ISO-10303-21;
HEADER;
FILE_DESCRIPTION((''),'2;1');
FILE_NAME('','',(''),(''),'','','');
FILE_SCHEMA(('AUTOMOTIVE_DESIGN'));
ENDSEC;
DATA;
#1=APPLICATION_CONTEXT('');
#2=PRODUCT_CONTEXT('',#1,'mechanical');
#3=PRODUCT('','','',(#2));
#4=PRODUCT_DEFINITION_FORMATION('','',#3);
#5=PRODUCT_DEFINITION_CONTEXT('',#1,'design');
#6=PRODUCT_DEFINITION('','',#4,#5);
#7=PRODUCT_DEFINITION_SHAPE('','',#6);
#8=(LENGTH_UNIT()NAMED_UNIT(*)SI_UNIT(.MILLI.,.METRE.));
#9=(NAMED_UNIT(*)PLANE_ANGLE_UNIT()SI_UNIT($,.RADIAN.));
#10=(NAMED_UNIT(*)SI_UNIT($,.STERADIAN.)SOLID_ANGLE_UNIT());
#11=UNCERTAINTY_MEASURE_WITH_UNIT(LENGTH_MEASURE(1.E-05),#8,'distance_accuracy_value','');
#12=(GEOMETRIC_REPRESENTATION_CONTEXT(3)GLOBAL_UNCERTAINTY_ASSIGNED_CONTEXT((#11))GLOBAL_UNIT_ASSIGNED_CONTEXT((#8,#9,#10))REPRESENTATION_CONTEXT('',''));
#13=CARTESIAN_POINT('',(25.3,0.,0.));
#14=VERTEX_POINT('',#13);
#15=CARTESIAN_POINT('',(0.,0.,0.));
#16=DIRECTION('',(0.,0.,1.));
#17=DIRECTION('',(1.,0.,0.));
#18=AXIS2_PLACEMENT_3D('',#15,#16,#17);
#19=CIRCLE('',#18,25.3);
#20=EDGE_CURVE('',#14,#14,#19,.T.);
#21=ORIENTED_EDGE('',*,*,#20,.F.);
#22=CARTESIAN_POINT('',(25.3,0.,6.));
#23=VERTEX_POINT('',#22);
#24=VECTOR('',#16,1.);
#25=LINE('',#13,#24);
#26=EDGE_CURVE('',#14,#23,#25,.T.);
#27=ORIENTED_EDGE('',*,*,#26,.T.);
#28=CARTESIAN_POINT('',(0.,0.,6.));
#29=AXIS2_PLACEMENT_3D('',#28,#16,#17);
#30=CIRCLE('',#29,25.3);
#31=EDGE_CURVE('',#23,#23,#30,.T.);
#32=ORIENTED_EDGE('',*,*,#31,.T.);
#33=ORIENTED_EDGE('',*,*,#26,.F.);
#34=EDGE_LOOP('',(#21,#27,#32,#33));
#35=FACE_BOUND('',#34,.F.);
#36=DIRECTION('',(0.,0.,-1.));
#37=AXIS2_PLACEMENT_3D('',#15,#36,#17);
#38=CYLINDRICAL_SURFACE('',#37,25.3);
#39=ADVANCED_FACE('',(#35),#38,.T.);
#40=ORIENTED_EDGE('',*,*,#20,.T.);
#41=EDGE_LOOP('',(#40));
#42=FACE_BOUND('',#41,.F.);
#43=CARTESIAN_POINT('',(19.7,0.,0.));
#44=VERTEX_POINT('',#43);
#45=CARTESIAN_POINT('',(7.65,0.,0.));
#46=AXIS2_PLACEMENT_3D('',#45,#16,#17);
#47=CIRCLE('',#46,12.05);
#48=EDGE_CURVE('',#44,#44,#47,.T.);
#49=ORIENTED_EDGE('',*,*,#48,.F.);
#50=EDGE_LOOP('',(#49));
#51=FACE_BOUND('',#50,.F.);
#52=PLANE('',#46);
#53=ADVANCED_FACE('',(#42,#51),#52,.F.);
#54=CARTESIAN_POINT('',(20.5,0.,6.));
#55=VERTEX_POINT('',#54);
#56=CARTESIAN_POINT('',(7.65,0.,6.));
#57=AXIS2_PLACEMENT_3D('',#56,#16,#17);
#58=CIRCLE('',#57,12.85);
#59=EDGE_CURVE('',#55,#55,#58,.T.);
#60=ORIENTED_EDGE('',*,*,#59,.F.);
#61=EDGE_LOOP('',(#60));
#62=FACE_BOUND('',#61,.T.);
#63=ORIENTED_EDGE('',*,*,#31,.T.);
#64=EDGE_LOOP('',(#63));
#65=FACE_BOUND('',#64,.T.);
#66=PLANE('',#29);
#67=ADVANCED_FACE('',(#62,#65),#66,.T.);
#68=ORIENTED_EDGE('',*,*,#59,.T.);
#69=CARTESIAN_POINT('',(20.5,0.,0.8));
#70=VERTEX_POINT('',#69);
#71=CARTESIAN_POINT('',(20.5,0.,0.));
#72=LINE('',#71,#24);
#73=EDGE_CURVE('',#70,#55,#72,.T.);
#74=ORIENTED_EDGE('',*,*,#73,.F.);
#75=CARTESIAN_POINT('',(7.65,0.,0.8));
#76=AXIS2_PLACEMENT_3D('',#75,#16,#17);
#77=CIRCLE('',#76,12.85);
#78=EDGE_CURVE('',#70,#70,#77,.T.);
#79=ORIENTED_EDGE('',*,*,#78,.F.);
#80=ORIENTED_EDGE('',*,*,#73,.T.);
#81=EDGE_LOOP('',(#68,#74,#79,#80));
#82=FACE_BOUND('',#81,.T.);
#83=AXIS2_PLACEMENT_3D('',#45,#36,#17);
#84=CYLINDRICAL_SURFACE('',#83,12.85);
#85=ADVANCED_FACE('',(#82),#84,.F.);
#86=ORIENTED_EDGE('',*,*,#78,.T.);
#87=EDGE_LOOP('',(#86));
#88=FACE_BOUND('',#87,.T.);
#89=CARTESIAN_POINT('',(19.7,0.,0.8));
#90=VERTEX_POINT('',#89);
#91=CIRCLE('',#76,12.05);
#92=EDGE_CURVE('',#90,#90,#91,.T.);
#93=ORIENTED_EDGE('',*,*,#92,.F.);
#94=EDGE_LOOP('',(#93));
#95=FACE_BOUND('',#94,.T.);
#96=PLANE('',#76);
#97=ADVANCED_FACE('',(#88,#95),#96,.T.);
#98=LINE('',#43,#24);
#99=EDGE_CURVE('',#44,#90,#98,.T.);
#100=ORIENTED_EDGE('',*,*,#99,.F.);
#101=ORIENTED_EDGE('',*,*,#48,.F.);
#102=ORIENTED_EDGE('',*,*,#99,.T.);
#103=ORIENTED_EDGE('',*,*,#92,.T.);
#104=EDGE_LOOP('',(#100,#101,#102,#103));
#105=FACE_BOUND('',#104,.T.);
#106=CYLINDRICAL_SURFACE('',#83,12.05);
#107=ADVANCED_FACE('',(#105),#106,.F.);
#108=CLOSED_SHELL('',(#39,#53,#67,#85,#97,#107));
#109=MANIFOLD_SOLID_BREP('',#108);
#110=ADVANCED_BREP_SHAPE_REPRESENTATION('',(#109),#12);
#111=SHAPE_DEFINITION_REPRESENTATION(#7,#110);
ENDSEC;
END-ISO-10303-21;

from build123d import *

# Parameters (mm, degrees)
F0_R     = 25.3
F0_R_2   = 12.85
F1_DEPTH = 6
F0_R_3   = 12.05
F2_DEPTH = 0.8


with BuildPart() as f1:
    # F0 (on Top) → F1 (new body)
    with BuildSketch(Plane.XY):
        Circle(F0_R)
        with Locations((7.65, 0)):
            Circle(F0_R_2, mode=Mode.SUBTRACT)
    extrude(amount=F1_DEPTH)

    # F0 (on Top) → F2 (join)
    with BuildSketch(Plane.XY):
        with Locations((7.65, 0)):
            Circle(F0_R_2)
        with Locations((7.65, 0)):
            Circle(F0_R_3, mode=Mode.SUBTRACT)
    extrude(amount=F2_DEPTH)


solid = f1.part
